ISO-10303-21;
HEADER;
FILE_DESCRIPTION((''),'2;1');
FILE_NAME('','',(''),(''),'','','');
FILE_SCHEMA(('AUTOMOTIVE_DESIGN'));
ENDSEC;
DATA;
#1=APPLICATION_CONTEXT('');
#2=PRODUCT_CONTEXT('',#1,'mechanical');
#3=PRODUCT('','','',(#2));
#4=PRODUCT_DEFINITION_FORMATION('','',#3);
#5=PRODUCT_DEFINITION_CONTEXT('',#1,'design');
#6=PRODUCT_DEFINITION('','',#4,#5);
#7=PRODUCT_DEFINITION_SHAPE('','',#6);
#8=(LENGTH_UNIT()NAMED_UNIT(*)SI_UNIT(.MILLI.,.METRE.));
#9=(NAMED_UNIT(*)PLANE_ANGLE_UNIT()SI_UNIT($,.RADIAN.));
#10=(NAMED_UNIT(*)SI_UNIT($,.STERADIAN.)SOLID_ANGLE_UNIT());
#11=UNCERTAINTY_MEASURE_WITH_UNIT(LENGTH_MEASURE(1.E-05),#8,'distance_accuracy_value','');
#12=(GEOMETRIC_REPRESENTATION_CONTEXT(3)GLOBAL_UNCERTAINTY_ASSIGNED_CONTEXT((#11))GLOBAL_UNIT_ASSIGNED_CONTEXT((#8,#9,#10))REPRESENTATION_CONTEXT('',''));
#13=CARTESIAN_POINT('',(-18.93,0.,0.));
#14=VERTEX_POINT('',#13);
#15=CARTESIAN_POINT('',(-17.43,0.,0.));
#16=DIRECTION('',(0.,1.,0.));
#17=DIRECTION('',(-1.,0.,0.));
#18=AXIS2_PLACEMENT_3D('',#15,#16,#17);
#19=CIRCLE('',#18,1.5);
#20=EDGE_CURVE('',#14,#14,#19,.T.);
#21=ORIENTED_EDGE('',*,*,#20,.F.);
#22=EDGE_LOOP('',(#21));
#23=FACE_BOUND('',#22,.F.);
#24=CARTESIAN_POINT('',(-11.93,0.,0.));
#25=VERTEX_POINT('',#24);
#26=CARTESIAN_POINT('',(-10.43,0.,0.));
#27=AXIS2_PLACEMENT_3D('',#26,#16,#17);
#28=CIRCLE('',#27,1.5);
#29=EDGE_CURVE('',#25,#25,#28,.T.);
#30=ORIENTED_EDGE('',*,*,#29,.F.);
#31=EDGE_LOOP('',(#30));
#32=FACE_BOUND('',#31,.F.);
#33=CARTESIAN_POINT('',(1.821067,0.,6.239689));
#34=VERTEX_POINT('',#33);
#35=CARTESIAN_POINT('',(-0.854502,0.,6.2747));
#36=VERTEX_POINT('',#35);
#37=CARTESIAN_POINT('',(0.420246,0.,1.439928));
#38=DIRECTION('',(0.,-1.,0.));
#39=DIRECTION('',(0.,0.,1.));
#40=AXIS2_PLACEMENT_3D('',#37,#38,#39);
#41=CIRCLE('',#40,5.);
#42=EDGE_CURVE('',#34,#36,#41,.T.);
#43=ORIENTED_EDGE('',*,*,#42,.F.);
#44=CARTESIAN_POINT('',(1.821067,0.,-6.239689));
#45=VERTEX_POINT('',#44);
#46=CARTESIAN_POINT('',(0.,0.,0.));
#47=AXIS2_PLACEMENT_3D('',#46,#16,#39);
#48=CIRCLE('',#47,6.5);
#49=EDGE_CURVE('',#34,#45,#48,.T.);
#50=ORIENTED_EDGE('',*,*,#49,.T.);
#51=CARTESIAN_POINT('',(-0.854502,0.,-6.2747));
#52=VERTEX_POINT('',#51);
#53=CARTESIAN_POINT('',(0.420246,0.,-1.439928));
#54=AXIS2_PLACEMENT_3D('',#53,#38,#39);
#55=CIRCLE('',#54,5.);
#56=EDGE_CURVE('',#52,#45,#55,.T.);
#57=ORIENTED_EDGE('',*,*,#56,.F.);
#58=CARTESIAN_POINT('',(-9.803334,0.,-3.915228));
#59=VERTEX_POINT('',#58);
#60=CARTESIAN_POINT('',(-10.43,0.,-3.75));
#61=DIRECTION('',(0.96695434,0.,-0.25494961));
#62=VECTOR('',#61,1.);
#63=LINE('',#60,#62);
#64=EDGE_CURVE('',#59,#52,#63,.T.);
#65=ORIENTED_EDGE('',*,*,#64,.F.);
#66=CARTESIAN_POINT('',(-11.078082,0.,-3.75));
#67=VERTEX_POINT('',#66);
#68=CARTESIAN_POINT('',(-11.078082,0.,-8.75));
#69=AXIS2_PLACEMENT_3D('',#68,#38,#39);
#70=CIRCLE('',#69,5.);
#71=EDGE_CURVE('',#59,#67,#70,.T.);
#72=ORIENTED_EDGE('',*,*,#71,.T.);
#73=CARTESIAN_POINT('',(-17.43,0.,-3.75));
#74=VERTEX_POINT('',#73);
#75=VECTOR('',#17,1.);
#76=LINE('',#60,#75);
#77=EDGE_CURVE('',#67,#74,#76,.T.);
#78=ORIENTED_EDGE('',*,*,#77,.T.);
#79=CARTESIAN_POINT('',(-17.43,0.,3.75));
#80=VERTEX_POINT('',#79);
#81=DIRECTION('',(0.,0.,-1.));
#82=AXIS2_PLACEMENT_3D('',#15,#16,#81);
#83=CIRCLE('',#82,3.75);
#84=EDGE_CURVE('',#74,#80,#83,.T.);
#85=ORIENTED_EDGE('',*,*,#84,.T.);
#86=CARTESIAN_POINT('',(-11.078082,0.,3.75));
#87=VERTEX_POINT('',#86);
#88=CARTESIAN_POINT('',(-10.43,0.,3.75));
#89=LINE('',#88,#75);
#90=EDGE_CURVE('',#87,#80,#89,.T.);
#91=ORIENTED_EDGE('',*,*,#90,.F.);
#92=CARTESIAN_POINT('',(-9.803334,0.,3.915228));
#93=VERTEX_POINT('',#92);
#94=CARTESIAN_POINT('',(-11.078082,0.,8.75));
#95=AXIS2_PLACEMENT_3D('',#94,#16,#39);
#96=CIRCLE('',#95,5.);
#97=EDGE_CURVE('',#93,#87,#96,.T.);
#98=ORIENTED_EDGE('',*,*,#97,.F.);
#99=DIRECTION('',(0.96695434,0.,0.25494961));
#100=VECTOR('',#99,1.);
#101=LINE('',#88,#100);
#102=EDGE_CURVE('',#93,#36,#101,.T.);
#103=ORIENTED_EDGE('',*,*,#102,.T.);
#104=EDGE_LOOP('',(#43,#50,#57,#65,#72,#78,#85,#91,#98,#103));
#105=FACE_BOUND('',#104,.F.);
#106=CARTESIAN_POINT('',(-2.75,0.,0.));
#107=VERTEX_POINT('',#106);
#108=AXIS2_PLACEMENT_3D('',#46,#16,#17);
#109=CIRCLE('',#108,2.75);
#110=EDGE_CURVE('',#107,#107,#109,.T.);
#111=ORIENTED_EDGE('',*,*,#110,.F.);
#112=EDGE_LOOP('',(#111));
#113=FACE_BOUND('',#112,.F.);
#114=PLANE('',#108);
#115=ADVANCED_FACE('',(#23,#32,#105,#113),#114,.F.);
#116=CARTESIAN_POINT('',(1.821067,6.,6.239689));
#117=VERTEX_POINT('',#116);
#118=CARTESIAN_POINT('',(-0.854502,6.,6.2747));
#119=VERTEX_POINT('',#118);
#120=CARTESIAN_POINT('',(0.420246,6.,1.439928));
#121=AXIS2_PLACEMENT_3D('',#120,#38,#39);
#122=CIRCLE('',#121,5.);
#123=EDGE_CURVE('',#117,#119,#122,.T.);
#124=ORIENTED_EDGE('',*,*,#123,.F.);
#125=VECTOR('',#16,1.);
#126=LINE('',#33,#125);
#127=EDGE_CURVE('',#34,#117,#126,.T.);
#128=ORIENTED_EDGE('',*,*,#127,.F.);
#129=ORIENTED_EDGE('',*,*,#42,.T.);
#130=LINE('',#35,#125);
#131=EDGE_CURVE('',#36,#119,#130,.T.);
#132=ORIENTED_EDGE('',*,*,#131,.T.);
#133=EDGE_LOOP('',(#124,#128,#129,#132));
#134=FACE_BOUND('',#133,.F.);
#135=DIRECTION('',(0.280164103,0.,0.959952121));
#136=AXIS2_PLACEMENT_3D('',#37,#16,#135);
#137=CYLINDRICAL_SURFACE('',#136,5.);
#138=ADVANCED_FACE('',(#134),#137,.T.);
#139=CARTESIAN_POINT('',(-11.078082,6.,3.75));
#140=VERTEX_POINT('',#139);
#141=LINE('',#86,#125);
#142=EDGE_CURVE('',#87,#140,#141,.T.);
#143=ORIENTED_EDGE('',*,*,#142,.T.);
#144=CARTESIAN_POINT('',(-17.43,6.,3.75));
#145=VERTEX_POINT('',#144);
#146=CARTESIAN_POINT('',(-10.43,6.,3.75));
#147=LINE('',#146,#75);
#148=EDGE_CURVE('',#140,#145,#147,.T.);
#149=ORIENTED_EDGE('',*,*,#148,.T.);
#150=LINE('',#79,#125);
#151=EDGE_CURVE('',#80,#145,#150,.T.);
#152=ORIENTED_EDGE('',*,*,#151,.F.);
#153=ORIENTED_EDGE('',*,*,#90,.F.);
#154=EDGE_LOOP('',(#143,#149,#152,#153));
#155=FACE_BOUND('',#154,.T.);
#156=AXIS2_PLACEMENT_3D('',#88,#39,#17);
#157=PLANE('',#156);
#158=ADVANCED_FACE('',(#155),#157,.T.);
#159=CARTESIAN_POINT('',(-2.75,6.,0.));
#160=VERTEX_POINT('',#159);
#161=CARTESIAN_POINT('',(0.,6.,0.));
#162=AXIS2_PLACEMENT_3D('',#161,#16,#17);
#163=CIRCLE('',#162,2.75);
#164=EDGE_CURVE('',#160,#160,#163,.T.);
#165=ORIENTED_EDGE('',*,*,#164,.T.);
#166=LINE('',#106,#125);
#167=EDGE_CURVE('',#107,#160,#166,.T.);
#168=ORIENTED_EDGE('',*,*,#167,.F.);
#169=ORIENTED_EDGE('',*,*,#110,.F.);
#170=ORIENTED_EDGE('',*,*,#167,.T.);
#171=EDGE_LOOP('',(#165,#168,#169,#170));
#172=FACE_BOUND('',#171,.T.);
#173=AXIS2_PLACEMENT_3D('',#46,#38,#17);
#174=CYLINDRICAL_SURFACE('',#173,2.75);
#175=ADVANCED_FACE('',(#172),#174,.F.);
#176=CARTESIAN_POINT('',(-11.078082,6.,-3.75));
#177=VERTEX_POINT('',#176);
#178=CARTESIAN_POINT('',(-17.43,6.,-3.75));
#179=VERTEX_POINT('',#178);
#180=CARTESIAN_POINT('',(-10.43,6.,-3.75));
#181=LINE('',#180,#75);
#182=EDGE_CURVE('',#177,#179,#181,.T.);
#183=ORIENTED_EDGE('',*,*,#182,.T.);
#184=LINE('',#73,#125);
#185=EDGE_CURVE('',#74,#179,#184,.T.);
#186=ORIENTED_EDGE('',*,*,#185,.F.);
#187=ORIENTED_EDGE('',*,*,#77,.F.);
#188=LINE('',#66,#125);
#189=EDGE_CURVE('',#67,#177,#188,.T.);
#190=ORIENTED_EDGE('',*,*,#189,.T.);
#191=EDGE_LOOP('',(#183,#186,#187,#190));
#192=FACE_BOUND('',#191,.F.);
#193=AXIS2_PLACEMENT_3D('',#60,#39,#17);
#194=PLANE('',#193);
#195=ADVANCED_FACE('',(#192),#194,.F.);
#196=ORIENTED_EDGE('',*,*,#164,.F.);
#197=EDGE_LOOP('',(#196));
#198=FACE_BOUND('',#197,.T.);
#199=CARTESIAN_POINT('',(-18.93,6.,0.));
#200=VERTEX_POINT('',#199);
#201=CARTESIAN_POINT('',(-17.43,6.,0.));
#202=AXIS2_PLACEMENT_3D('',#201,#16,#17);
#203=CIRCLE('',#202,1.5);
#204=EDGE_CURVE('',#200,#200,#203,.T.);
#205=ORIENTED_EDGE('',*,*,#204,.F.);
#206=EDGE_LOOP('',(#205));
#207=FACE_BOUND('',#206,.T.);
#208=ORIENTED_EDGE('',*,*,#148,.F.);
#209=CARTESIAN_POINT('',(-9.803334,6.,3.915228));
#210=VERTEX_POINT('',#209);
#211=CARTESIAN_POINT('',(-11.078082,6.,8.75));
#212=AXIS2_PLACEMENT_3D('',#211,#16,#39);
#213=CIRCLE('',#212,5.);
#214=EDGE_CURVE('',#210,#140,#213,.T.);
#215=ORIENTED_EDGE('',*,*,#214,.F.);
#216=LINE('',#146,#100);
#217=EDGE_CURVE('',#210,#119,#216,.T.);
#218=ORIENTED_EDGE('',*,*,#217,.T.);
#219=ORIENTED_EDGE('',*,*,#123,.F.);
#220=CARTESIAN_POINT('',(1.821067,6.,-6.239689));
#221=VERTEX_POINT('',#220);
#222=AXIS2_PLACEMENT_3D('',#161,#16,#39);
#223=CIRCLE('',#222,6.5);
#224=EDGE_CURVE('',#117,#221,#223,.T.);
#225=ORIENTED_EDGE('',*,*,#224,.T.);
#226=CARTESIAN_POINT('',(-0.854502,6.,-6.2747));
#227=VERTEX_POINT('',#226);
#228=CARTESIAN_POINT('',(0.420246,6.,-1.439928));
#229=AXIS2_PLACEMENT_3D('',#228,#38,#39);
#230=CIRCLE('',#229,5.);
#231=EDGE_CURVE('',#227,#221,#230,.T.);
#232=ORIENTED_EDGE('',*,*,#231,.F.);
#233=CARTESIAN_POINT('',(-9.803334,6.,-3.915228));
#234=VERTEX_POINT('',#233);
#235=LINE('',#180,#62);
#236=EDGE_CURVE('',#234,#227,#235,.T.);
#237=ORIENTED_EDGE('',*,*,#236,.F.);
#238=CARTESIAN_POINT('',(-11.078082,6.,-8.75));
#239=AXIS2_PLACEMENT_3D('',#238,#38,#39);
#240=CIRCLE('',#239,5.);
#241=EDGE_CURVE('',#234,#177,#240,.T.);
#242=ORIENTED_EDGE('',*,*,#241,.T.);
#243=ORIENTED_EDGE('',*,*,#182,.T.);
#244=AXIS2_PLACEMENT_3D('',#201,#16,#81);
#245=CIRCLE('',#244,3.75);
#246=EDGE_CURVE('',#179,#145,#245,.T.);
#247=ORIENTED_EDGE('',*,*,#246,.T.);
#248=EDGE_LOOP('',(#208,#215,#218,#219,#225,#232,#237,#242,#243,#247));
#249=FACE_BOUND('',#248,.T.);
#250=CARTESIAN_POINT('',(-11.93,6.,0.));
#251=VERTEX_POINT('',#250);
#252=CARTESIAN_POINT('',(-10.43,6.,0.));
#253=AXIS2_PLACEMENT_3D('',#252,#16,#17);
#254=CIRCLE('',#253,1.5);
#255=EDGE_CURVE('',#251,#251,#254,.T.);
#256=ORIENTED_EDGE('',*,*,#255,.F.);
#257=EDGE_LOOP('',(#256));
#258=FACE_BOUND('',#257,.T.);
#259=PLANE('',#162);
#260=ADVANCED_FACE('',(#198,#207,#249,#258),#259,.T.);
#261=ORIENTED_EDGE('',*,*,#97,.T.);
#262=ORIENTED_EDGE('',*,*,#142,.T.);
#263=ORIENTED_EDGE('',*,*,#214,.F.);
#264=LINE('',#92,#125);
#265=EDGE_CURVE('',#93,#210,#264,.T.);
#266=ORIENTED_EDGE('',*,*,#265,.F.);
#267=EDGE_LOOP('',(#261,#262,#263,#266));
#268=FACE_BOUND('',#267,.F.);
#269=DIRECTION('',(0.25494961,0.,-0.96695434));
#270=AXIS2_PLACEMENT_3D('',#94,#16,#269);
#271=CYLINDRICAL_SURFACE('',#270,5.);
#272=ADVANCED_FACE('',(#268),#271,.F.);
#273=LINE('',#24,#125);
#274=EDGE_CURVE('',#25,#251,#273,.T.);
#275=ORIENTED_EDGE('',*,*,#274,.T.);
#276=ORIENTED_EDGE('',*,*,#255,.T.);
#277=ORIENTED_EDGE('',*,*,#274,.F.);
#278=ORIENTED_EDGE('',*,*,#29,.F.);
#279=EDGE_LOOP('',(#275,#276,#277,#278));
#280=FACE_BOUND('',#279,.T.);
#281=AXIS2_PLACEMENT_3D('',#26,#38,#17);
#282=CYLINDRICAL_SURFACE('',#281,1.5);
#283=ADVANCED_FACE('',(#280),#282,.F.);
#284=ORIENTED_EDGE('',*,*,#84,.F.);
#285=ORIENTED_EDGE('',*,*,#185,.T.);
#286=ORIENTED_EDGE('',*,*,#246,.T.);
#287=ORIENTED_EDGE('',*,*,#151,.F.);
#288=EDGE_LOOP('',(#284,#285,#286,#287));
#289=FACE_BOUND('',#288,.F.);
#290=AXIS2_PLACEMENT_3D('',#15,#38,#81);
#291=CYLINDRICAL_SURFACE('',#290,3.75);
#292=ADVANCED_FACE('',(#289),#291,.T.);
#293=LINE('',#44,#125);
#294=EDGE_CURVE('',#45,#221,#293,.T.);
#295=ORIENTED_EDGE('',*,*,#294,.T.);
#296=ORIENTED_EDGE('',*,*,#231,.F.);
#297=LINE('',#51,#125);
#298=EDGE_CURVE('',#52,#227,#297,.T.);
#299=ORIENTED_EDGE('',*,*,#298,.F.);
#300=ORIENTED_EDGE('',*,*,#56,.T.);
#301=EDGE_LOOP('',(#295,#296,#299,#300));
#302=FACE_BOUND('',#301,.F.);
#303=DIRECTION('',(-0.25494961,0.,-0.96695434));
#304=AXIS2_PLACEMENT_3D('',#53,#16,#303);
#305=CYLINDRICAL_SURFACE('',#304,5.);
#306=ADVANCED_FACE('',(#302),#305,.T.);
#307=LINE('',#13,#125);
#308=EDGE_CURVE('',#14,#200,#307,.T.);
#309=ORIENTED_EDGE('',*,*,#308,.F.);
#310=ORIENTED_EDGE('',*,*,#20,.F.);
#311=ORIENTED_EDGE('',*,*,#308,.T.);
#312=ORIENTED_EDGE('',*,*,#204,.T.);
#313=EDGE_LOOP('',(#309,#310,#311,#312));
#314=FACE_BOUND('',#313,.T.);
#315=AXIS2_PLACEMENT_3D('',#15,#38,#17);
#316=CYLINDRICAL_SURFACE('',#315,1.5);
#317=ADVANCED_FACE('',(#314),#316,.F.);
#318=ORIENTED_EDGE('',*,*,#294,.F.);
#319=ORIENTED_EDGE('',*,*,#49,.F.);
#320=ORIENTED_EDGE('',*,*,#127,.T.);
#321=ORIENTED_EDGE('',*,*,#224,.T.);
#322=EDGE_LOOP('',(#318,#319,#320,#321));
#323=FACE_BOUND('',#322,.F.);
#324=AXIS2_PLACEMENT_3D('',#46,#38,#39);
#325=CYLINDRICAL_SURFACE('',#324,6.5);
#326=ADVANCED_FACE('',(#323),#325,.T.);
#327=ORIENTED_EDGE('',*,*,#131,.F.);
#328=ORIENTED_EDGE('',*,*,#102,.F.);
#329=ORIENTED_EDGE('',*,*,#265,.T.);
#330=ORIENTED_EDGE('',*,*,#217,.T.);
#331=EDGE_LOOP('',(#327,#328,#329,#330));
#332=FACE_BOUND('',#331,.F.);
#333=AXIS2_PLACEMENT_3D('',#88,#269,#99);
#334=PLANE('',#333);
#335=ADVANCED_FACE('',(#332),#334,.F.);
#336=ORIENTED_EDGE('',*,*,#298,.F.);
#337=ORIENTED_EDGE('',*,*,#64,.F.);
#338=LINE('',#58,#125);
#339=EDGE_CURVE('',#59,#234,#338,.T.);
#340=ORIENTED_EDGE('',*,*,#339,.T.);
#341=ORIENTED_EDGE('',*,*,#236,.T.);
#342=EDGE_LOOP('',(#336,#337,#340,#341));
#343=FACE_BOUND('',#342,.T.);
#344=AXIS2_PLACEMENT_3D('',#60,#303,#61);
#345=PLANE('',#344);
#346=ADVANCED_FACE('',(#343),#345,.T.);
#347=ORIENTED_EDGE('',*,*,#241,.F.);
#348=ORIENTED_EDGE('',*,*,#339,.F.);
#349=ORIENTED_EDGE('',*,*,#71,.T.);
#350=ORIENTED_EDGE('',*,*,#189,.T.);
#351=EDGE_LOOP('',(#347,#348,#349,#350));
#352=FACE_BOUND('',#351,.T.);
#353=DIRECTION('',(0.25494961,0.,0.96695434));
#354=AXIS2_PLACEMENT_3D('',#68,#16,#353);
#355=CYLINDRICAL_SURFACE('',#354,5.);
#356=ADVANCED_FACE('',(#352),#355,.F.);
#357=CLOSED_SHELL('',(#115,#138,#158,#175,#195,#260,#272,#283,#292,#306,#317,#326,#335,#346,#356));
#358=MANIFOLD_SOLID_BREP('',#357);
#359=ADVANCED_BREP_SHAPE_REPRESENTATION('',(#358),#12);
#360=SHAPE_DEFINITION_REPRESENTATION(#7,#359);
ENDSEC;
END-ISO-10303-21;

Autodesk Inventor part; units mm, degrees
ref_plane "YZ Plane" through (0, 0, 0) normal (1, 0, 0) x (0, 1, 0)
ref_plane "XZ Plane" through (0, 0, 0) normal (0, 1, 0) x (-1, 0, 0)
ref_plane "XY Plane" through (0, 0, 0) normal (0, 0, 1) x (1, 0, 0)
sketch "Sketch1" plane through (0, 0, 0) normal (0, 1, 0) x (-1, 0, 0)
  arc A0 (0, 6.5) -> (0, -6.5) centre (0, 0) ccw
  arc A1 (17.43, -3.75) -> (17.43, 3.75) centre (17.43, 0) ccw
  line L0 (10.43, 3.75) -> (17.43, 3.75)
  line L1 (10.43, -3.75) -> (17.43, -3.75)
  line L2 (0, 0) -> (20.86, 0) construction
  circle A2 centre (0, 0) radius 2.75
  circle A3 centre (17.43, 0) radius 1.5
  circle A4 centre (10.43, 0) radius 1.5
  line L3 (10.43, 3.75) -> (0, 6.5)
  line L4 (10.43, -3.75) -> (0, -6.5)
  line L5 (10.43, 0) -> (10.43, -12.3931) construction
  line L6 (0, 8.169) -> (0, -9.3531) construction
  dimension "d0" = 13
  dimension "d1" = 7.5
  dimension "d2" = 17.43
  dimension "d3" = 7.5
  dimension "d6" = 0
  dimension "d7" = 3.75
  dimension "d8" = 5.5
  dimension "d10" = 3
  dimension "d11" = 3
  dimension "d14" = 7
  dimension "d17" = 17.43
  dimension "d20" = 0
  dimension "d21" = 0
  dimension "d22" = 0
  dimension "d23" = 0
  dimension "d24" = 0
extrude "Extrusion1" add sketch "Sketch1" along normal blind 6
fillet "Fillet1" radius 5 1 edges at (-10.43, 3, 3.75)
fillet "Fillet2" radius 5 1 edges at (-10.43, 3, -3.75)
fillet "Fillet3" radius 5 2 edges at (0, 3, -6.5) (0, 3, 6.5)
properties part number "adaptator_25"
